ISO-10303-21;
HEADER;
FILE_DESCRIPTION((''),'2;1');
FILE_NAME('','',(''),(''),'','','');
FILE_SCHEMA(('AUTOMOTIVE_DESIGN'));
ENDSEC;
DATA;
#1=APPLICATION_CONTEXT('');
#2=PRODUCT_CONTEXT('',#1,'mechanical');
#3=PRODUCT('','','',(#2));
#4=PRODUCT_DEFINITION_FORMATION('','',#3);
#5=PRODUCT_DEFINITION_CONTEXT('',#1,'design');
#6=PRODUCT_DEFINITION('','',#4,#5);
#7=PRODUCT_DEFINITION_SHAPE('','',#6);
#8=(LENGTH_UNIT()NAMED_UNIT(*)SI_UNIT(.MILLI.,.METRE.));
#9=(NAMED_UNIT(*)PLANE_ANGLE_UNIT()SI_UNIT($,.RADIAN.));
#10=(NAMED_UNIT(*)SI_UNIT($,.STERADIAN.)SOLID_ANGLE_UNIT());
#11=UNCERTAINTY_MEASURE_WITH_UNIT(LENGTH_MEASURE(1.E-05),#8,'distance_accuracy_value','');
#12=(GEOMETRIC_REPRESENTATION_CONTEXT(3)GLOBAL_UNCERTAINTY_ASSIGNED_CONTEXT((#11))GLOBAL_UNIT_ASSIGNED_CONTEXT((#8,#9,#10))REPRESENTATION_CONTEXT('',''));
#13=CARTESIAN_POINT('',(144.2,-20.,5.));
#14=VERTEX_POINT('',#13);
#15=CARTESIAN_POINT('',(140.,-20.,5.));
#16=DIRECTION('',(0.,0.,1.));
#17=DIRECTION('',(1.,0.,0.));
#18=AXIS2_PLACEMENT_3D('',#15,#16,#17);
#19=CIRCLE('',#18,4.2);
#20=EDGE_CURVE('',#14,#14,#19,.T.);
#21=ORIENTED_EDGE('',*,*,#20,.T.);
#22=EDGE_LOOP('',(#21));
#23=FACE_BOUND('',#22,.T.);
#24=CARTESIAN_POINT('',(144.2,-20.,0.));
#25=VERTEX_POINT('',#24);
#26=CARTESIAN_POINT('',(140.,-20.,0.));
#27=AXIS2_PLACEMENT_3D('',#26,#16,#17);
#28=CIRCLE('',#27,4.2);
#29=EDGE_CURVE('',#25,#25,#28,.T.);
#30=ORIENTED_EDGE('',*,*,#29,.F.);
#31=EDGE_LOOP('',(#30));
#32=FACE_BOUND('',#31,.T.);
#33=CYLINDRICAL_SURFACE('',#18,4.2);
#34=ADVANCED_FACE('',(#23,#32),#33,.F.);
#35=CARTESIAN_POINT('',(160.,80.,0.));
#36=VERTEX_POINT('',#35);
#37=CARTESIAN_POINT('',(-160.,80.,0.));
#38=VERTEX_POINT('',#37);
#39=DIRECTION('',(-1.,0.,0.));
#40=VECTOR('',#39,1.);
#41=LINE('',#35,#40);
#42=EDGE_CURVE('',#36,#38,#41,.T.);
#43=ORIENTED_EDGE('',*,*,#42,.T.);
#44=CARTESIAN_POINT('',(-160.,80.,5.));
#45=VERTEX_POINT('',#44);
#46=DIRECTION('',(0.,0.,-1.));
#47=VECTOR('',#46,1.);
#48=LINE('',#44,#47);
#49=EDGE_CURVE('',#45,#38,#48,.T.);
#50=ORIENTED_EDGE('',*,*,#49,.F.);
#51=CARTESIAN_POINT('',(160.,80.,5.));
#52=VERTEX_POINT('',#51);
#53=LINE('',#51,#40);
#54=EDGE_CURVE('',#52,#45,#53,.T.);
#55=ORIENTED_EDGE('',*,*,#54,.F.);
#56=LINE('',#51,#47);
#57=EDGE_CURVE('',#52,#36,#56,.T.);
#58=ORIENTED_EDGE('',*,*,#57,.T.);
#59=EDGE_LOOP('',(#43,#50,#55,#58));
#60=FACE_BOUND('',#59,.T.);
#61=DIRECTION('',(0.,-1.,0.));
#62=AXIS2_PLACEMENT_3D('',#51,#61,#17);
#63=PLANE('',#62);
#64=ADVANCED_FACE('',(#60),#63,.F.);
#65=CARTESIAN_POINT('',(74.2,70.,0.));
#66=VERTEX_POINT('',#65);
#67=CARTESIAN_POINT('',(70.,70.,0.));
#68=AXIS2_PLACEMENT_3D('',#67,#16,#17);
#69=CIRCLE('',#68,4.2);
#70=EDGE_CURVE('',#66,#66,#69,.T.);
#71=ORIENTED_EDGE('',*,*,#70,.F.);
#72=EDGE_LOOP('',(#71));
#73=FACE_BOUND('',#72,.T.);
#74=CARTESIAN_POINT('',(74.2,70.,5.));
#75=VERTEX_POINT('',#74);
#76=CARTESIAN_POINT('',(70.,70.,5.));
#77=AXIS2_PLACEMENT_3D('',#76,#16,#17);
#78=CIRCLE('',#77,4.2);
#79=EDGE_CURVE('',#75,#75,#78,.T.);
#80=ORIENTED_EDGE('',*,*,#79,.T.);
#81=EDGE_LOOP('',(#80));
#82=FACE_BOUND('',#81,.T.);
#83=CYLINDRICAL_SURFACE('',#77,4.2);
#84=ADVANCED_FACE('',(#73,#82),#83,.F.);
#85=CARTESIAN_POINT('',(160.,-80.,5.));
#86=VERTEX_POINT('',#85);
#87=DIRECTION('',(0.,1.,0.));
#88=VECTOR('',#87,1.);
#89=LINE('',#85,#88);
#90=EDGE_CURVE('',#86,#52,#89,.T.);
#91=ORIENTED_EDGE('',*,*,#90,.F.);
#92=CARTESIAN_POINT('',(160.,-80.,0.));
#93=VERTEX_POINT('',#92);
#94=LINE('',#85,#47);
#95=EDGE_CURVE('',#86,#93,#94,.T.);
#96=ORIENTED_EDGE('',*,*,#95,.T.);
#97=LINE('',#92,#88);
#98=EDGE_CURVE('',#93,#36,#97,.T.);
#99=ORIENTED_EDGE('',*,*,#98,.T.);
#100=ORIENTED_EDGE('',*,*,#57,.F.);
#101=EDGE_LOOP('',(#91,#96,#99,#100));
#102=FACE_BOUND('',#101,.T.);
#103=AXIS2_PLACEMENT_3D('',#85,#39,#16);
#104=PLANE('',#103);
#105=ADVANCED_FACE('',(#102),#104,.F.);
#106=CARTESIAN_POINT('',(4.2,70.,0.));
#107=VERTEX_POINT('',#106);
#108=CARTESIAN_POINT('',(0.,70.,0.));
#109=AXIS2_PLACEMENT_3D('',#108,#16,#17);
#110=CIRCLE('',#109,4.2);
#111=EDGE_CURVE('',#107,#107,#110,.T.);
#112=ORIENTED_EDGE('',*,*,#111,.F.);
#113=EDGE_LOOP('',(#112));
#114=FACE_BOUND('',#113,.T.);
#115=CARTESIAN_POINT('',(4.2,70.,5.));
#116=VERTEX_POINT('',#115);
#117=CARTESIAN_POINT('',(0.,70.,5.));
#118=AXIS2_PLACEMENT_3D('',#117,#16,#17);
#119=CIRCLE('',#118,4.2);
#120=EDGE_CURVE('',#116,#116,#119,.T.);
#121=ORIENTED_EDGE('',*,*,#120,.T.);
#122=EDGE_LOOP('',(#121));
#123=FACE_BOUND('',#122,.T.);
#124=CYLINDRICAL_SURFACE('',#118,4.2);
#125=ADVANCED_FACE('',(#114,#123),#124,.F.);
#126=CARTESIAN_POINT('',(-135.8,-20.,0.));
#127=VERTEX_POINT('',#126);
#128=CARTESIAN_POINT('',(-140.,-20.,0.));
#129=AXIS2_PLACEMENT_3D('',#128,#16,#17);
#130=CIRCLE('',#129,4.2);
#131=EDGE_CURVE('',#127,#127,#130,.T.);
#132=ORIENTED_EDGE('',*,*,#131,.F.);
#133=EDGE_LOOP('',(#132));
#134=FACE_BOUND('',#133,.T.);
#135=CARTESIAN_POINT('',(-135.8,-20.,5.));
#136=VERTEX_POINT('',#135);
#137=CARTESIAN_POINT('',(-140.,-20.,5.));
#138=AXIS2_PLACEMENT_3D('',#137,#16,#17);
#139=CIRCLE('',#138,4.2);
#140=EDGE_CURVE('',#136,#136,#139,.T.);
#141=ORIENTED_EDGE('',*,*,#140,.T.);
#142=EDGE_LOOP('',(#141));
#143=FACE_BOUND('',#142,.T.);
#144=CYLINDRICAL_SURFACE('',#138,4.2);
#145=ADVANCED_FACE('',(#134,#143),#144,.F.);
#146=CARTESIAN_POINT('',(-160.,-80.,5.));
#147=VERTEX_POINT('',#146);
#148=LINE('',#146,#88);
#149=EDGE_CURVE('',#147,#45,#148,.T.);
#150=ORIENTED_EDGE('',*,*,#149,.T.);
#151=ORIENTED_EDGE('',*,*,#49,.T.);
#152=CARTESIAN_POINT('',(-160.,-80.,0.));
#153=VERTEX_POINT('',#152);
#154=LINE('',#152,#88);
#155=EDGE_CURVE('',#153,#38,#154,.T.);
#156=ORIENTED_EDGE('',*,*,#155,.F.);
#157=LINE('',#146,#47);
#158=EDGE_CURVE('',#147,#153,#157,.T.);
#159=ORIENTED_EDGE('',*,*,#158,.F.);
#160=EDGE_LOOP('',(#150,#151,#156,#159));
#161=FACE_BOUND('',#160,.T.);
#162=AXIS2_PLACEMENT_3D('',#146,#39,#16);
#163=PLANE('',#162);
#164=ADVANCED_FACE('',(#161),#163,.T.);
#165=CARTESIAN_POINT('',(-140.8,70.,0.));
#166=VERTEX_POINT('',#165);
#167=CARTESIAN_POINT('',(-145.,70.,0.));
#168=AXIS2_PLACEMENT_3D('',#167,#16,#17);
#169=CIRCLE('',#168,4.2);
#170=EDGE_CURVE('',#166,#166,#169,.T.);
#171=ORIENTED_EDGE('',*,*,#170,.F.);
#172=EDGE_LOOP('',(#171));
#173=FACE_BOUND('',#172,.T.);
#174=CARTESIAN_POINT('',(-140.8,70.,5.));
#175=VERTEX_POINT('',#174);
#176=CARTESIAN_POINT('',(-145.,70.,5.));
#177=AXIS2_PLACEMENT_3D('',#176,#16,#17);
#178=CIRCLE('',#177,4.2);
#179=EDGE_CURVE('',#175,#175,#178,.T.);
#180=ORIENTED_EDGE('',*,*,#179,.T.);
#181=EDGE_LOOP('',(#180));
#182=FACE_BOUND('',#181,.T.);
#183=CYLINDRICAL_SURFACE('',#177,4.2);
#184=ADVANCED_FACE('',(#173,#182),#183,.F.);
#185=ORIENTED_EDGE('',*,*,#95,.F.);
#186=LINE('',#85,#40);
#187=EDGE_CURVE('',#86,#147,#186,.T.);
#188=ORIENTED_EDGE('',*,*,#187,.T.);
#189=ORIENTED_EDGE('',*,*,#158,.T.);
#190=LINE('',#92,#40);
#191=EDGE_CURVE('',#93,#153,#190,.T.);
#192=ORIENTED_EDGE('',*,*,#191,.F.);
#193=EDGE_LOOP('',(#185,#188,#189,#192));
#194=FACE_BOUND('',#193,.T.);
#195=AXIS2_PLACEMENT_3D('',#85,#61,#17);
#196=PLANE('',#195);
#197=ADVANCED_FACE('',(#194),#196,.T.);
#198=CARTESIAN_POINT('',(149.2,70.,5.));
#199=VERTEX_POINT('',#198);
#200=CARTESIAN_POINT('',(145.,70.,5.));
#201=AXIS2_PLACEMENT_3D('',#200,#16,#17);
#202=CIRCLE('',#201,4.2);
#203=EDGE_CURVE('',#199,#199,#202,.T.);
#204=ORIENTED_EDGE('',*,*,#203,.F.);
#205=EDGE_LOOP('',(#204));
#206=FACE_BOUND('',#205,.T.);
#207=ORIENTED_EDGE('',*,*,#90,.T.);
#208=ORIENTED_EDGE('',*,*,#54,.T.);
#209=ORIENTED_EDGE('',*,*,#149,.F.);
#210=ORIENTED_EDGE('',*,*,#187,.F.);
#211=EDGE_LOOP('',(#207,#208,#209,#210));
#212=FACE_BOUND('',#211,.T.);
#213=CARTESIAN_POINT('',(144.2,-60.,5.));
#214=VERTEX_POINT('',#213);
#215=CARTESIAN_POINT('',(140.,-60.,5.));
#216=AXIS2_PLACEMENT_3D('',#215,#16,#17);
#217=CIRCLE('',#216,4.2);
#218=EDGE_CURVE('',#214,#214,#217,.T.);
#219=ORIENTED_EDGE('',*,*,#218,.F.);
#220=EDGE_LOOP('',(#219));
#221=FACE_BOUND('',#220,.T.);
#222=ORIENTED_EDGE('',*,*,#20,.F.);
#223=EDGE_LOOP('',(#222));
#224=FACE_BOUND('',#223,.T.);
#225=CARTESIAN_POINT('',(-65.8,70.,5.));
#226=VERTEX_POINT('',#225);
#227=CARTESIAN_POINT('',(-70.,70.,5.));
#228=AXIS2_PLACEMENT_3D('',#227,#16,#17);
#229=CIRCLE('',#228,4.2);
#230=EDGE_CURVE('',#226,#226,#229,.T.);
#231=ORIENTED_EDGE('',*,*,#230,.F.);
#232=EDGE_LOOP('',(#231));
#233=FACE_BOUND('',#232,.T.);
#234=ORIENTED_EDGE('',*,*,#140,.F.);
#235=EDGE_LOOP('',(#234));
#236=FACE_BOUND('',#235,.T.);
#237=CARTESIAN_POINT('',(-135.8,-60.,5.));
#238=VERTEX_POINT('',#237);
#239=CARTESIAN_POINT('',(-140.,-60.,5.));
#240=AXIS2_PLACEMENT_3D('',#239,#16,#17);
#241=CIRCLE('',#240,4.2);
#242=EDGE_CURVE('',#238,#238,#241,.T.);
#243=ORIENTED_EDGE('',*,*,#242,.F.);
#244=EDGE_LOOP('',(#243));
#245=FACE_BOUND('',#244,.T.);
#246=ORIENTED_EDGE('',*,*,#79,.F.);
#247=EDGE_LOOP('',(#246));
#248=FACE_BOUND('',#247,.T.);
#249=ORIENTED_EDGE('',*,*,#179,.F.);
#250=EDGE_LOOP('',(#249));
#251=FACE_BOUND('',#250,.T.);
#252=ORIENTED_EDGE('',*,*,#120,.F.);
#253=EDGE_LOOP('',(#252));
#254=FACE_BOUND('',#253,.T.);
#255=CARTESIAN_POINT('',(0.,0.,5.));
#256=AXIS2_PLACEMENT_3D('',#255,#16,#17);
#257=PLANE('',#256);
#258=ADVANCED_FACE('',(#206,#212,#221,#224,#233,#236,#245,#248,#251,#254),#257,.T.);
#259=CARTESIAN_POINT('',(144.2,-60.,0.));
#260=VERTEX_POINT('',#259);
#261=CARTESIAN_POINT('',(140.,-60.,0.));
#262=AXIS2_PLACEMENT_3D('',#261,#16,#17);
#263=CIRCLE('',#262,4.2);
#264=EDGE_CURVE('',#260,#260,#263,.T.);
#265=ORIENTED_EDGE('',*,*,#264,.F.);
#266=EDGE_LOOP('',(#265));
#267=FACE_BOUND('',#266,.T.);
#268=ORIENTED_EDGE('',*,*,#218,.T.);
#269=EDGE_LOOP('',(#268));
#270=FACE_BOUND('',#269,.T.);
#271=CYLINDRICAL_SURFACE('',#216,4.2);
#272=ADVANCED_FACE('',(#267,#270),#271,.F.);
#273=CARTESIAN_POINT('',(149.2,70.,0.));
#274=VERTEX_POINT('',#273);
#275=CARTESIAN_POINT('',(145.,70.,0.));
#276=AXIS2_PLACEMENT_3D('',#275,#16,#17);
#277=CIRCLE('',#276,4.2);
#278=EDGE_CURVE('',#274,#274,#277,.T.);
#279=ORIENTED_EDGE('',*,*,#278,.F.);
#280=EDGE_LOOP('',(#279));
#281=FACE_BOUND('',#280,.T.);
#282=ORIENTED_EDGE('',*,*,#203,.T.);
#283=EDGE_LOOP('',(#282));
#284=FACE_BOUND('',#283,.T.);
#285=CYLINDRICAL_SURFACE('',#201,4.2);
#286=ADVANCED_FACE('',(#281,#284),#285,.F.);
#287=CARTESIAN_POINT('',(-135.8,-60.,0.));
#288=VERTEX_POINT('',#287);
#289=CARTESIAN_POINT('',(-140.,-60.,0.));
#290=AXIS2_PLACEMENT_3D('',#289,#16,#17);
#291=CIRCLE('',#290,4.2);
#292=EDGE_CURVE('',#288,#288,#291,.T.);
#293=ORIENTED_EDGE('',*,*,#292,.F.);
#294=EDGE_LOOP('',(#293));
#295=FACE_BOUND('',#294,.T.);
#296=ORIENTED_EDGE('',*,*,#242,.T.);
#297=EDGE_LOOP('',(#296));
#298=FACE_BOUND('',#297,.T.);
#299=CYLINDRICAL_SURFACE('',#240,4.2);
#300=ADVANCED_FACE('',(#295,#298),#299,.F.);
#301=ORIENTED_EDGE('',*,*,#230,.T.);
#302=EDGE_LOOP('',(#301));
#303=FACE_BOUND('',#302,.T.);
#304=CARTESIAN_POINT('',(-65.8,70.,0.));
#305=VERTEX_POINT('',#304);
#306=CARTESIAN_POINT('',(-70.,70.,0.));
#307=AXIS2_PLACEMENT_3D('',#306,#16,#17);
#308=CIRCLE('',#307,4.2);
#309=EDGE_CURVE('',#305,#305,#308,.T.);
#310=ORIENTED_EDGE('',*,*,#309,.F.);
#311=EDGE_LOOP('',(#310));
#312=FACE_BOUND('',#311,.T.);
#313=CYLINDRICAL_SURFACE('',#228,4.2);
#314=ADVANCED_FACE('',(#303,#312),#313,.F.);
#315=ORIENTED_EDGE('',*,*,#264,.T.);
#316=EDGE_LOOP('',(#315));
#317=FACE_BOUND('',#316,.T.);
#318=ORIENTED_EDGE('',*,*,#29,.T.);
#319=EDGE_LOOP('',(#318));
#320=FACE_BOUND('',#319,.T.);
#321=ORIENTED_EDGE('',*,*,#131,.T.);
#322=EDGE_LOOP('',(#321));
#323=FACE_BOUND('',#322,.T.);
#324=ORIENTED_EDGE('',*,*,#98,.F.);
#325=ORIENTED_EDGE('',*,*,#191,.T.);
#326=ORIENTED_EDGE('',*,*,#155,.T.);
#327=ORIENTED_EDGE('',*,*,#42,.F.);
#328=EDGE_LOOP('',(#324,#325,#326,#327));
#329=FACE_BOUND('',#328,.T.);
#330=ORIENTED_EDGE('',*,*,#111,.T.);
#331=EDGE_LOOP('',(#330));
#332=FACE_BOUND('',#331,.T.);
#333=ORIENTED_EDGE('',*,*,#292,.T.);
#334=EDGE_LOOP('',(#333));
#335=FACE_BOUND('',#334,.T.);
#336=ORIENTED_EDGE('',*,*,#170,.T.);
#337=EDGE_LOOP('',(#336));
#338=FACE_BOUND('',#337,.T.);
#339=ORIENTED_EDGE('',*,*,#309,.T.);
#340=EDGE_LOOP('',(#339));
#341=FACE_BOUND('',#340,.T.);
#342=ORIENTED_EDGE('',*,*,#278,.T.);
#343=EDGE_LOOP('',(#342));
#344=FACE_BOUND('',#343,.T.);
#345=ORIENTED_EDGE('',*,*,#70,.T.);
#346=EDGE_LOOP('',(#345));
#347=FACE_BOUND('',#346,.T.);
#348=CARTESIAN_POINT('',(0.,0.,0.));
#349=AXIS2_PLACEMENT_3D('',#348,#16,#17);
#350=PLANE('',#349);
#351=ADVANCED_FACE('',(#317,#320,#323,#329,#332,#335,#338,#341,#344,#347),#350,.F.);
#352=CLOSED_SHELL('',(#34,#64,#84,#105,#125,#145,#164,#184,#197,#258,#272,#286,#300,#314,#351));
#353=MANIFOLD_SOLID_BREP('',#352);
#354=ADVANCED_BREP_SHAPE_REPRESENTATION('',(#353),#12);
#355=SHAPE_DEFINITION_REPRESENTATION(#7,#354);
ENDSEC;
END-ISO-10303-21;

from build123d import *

# Parameters (mm, degrees)
SKETCH1_W            = 320
SKETCH1_H            = 160
BOSS_EXTRUDE1_DEPTH  = 5
M8_CLEARANCE_HOLE1_D = 8.4


with BuildPart() as part:
    # Sketch1 → Boss-Extrude1 (new body)
    with BuildSketch(Plane.XY):
        Rectangle(SKETCH1_W, SKETCH1_H)
    extrude(amount=BOSS_EXTRUDE1_DEPTH)

    # M8 Clearance Hole1 (through all)
    with Locations(Plane.XY.offset(5)):
        with Locations((-145, 70), (-70, 70), (0, 70), (70, 70), (145, 70), (-140, -20), (-140, -60), (140, -20), (140, -60)):
            Hole(M8_CLEARANCE_HOLE1_D / 2)


solid = part.part
